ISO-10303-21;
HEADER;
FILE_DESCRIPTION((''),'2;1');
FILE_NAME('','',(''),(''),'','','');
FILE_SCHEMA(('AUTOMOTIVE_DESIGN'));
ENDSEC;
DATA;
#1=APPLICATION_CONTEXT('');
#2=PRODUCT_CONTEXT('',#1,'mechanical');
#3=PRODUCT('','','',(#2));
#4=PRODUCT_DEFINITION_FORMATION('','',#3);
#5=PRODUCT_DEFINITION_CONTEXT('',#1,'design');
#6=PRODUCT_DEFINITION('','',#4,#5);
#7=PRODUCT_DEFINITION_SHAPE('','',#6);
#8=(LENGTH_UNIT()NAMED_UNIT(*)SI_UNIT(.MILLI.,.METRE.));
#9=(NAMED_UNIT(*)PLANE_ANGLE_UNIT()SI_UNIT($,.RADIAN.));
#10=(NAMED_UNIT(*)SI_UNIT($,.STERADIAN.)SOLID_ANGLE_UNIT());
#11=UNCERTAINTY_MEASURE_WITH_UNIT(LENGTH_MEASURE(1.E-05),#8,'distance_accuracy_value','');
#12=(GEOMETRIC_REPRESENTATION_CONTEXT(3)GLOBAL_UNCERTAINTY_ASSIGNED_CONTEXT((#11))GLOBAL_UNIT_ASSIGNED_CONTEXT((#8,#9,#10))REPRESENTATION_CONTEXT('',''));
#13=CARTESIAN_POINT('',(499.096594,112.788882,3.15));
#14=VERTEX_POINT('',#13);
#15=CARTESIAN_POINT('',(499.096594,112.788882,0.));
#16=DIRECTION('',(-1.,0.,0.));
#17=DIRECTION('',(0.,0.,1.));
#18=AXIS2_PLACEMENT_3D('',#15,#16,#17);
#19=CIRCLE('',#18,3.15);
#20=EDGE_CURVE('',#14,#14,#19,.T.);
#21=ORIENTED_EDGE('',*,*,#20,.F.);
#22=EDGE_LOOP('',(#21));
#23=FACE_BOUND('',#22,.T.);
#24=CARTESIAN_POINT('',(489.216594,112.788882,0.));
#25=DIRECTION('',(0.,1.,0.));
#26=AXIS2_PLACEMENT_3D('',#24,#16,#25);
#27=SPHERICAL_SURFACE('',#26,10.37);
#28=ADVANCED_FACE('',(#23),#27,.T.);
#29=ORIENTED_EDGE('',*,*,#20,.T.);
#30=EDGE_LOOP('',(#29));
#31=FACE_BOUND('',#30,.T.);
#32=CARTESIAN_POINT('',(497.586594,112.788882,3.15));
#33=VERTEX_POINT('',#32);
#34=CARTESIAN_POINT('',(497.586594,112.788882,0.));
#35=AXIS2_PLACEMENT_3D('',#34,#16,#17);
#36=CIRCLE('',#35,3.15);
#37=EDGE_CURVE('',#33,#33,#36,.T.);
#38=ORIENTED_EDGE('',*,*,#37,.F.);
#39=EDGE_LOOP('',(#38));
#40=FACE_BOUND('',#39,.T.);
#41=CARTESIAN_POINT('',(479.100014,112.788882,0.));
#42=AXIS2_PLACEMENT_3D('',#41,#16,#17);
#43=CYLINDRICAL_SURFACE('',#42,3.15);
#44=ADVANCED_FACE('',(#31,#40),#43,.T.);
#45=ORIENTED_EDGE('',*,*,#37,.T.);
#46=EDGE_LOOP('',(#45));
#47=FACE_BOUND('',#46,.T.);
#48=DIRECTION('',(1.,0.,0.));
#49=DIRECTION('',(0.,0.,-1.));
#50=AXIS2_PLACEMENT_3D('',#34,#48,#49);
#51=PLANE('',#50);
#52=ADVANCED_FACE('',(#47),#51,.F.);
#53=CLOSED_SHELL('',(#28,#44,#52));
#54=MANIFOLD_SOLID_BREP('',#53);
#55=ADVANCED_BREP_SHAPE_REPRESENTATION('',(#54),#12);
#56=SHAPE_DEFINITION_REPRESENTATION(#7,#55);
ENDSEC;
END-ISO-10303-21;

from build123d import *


with BuildPart() as part:
    # 草图1 → 旋转1 (revolve)
    with BuildSketch(Plane.XY):
        with BuildLine():
            Line((497.586594138, 112.788882016), (497.586594138, 115.938882016))
            Line((497.586594138, 115.938882016), (499.096594138, 115.938882016))
            ThreePointArc((499.096594138, 115.938882016), (499.463361921, 114.382823671), (499.586594138, 112.788882016))
            Line((499.586594138, 112.788882016), (497.586594138, 112.788882016))
        make_face()
    revolve(axis=Axis((479.100014302, 112.788882016, 0), (1, 0, 0)))


solid = part.part
